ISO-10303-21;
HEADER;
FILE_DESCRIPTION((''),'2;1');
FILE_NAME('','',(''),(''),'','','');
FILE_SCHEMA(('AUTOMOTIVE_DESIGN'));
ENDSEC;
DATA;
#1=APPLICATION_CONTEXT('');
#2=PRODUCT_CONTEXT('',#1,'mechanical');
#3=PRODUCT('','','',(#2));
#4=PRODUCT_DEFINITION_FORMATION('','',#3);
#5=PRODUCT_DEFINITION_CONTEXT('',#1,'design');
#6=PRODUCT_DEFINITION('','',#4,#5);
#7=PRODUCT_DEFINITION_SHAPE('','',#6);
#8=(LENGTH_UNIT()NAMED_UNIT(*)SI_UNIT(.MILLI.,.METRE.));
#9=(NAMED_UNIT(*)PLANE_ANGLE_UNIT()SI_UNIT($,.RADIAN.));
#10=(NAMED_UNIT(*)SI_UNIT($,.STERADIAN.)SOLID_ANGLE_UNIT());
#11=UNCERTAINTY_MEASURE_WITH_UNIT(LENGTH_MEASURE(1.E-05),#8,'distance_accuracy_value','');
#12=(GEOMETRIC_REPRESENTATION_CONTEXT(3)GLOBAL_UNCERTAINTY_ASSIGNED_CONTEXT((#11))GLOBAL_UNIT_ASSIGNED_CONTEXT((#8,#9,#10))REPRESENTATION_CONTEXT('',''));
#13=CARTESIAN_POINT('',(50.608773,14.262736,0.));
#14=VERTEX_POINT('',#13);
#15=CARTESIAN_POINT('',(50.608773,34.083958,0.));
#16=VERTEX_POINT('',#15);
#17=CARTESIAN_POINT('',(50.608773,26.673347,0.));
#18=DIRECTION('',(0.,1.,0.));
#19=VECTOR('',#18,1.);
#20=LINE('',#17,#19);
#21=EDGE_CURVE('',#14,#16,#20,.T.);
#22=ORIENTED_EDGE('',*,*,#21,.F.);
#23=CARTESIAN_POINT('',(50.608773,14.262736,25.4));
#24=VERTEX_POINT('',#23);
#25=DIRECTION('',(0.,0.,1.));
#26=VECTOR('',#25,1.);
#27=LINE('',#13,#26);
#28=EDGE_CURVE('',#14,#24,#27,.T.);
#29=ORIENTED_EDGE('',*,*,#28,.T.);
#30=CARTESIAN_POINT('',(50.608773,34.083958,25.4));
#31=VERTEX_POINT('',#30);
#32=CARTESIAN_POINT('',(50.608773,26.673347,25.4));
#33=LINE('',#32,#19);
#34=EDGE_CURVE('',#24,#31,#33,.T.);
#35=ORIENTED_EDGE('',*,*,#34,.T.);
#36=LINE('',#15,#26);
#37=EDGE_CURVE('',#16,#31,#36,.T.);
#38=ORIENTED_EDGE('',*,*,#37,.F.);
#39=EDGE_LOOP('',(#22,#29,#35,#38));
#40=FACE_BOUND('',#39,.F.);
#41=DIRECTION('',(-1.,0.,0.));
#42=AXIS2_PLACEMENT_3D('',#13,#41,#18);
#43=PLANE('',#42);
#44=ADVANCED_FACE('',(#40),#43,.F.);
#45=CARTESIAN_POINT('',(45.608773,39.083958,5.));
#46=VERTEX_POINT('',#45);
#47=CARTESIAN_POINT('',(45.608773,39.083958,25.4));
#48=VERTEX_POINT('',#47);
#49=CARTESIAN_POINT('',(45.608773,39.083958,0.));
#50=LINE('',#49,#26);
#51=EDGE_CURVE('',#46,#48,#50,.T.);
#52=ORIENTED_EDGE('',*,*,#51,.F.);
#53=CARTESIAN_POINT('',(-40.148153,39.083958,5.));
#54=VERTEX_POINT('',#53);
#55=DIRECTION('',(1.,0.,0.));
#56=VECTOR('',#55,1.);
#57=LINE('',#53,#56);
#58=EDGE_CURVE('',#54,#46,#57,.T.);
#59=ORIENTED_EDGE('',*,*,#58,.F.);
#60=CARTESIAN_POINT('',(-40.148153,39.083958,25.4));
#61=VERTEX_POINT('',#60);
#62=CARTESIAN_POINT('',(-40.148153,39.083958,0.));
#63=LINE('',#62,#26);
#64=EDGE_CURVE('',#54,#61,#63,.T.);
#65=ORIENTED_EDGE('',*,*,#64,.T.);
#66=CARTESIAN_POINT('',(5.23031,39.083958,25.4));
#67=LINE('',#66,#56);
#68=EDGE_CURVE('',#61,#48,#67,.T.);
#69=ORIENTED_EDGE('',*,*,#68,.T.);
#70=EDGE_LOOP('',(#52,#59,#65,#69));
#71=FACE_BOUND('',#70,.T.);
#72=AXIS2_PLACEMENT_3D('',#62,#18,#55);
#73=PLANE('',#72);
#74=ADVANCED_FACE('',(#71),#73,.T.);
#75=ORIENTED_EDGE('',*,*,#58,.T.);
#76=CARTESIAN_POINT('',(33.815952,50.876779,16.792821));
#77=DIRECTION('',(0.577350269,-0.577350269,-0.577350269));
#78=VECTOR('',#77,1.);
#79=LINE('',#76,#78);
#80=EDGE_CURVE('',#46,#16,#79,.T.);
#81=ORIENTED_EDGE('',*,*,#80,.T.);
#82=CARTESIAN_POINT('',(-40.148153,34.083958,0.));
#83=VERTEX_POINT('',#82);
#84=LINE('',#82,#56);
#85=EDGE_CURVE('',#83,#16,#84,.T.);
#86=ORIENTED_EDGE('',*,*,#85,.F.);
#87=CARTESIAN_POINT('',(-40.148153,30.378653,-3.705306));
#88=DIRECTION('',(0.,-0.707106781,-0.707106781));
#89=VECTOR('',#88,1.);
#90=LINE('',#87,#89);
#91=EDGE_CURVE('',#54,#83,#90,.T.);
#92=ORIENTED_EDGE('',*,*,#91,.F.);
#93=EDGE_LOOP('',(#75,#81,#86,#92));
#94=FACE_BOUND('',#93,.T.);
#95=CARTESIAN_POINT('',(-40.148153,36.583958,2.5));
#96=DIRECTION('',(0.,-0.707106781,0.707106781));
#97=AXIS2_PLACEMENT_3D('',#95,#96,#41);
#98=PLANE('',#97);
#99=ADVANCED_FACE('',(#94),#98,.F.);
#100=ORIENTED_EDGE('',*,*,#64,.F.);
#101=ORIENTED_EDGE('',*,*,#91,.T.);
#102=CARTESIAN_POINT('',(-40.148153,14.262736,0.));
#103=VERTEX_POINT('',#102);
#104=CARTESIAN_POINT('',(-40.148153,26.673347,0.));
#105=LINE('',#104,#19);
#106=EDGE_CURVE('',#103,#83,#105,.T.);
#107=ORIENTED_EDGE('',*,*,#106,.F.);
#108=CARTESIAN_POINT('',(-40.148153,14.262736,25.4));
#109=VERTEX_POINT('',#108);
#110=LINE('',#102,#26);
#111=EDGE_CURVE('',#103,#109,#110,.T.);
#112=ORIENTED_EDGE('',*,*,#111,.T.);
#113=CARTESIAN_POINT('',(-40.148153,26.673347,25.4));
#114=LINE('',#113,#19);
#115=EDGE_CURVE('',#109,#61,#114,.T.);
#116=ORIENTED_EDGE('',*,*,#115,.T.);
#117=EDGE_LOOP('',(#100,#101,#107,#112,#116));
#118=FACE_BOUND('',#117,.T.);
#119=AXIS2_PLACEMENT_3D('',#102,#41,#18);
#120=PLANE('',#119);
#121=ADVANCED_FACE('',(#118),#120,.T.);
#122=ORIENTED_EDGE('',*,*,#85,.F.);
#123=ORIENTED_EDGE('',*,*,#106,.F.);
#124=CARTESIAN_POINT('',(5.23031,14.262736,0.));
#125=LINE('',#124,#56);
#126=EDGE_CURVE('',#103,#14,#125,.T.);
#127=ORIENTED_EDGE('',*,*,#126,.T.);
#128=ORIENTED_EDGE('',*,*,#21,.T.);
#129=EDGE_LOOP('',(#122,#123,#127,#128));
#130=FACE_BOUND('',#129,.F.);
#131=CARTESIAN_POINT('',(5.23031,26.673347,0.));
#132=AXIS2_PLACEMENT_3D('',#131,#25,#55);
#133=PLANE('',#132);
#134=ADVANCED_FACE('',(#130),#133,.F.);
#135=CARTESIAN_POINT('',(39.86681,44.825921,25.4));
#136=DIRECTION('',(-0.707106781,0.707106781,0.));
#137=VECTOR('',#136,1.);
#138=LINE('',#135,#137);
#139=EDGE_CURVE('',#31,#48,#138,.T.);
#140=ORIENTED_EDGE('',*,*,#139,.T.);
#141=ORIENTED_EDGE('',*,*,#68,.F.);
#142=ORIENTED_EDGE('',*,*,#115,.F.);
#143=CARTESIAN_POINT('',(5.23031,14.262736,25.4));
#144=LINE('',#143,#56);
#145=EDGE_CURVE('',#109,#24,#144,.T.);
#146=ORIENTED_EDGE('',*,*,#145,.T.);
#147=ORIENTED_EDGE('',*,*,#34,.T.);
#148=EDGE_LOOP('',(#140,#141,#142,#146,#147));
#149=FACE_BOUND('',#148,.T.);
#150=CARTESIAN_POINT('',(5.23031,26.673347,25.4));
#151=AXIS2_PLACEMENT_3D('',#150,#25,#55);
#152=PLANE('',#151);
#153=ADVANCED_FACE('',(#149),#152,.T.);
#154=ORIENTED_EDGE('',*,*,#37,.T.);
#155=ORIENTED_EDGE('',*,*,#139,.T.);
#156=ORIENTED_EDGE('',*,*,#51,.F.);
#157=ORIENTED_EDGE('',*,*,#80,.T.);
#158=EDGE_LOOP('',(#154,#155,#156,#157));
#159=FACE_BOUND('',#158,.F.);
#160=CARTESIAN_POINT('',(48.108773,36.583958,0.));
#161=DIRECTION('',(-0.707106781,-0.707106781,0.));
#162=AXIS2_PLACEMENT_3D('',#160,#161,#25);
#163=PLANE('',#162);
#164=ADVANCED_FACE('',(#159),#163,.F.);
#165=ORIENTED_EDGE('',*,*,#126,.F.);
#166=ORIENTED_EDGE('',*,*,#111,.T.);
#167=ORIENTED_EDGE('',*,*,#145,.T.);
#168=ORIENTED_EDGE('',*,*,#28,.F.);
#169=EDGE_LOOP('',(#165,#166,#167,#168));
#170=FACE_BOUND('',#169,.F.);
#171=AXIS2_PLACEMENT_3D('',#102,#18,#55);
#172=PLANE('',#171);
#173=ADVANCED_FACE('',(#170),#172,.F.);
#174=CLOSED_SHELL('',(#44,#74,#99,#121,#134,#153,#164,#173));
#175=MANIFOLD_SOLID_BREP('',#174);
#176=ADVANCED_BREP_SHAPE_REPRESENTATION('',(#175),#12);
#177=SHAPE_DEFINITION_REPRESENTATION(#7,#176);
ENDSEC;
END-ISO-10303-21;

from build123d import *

# Parameters (mm, degrees)
F1_W     = 90.756927
F1_H     = 24.821222
F2_DEPTH = 25.4
F3_SIZE  = 5


with BuildPart() as f2:
    # F1 (on Top) → F2 (new body)
    with BuildSketch(Plane.XY):
        with Locations((5.23031, 26.673347)):
            Rectangle(F1_W, F1_H)
    extrude(amount=F2_DEPTH)

    # F3
    f3_edges = [f2.edges().sort_by_distance(p)[0] for p in [
        (5.230309, 39.083958, 0),
        (50.608773, 39.083958, 12.7),
    ]]
    chamfer(f3_edges, length=F3_SIZE)


solid = f2.part
